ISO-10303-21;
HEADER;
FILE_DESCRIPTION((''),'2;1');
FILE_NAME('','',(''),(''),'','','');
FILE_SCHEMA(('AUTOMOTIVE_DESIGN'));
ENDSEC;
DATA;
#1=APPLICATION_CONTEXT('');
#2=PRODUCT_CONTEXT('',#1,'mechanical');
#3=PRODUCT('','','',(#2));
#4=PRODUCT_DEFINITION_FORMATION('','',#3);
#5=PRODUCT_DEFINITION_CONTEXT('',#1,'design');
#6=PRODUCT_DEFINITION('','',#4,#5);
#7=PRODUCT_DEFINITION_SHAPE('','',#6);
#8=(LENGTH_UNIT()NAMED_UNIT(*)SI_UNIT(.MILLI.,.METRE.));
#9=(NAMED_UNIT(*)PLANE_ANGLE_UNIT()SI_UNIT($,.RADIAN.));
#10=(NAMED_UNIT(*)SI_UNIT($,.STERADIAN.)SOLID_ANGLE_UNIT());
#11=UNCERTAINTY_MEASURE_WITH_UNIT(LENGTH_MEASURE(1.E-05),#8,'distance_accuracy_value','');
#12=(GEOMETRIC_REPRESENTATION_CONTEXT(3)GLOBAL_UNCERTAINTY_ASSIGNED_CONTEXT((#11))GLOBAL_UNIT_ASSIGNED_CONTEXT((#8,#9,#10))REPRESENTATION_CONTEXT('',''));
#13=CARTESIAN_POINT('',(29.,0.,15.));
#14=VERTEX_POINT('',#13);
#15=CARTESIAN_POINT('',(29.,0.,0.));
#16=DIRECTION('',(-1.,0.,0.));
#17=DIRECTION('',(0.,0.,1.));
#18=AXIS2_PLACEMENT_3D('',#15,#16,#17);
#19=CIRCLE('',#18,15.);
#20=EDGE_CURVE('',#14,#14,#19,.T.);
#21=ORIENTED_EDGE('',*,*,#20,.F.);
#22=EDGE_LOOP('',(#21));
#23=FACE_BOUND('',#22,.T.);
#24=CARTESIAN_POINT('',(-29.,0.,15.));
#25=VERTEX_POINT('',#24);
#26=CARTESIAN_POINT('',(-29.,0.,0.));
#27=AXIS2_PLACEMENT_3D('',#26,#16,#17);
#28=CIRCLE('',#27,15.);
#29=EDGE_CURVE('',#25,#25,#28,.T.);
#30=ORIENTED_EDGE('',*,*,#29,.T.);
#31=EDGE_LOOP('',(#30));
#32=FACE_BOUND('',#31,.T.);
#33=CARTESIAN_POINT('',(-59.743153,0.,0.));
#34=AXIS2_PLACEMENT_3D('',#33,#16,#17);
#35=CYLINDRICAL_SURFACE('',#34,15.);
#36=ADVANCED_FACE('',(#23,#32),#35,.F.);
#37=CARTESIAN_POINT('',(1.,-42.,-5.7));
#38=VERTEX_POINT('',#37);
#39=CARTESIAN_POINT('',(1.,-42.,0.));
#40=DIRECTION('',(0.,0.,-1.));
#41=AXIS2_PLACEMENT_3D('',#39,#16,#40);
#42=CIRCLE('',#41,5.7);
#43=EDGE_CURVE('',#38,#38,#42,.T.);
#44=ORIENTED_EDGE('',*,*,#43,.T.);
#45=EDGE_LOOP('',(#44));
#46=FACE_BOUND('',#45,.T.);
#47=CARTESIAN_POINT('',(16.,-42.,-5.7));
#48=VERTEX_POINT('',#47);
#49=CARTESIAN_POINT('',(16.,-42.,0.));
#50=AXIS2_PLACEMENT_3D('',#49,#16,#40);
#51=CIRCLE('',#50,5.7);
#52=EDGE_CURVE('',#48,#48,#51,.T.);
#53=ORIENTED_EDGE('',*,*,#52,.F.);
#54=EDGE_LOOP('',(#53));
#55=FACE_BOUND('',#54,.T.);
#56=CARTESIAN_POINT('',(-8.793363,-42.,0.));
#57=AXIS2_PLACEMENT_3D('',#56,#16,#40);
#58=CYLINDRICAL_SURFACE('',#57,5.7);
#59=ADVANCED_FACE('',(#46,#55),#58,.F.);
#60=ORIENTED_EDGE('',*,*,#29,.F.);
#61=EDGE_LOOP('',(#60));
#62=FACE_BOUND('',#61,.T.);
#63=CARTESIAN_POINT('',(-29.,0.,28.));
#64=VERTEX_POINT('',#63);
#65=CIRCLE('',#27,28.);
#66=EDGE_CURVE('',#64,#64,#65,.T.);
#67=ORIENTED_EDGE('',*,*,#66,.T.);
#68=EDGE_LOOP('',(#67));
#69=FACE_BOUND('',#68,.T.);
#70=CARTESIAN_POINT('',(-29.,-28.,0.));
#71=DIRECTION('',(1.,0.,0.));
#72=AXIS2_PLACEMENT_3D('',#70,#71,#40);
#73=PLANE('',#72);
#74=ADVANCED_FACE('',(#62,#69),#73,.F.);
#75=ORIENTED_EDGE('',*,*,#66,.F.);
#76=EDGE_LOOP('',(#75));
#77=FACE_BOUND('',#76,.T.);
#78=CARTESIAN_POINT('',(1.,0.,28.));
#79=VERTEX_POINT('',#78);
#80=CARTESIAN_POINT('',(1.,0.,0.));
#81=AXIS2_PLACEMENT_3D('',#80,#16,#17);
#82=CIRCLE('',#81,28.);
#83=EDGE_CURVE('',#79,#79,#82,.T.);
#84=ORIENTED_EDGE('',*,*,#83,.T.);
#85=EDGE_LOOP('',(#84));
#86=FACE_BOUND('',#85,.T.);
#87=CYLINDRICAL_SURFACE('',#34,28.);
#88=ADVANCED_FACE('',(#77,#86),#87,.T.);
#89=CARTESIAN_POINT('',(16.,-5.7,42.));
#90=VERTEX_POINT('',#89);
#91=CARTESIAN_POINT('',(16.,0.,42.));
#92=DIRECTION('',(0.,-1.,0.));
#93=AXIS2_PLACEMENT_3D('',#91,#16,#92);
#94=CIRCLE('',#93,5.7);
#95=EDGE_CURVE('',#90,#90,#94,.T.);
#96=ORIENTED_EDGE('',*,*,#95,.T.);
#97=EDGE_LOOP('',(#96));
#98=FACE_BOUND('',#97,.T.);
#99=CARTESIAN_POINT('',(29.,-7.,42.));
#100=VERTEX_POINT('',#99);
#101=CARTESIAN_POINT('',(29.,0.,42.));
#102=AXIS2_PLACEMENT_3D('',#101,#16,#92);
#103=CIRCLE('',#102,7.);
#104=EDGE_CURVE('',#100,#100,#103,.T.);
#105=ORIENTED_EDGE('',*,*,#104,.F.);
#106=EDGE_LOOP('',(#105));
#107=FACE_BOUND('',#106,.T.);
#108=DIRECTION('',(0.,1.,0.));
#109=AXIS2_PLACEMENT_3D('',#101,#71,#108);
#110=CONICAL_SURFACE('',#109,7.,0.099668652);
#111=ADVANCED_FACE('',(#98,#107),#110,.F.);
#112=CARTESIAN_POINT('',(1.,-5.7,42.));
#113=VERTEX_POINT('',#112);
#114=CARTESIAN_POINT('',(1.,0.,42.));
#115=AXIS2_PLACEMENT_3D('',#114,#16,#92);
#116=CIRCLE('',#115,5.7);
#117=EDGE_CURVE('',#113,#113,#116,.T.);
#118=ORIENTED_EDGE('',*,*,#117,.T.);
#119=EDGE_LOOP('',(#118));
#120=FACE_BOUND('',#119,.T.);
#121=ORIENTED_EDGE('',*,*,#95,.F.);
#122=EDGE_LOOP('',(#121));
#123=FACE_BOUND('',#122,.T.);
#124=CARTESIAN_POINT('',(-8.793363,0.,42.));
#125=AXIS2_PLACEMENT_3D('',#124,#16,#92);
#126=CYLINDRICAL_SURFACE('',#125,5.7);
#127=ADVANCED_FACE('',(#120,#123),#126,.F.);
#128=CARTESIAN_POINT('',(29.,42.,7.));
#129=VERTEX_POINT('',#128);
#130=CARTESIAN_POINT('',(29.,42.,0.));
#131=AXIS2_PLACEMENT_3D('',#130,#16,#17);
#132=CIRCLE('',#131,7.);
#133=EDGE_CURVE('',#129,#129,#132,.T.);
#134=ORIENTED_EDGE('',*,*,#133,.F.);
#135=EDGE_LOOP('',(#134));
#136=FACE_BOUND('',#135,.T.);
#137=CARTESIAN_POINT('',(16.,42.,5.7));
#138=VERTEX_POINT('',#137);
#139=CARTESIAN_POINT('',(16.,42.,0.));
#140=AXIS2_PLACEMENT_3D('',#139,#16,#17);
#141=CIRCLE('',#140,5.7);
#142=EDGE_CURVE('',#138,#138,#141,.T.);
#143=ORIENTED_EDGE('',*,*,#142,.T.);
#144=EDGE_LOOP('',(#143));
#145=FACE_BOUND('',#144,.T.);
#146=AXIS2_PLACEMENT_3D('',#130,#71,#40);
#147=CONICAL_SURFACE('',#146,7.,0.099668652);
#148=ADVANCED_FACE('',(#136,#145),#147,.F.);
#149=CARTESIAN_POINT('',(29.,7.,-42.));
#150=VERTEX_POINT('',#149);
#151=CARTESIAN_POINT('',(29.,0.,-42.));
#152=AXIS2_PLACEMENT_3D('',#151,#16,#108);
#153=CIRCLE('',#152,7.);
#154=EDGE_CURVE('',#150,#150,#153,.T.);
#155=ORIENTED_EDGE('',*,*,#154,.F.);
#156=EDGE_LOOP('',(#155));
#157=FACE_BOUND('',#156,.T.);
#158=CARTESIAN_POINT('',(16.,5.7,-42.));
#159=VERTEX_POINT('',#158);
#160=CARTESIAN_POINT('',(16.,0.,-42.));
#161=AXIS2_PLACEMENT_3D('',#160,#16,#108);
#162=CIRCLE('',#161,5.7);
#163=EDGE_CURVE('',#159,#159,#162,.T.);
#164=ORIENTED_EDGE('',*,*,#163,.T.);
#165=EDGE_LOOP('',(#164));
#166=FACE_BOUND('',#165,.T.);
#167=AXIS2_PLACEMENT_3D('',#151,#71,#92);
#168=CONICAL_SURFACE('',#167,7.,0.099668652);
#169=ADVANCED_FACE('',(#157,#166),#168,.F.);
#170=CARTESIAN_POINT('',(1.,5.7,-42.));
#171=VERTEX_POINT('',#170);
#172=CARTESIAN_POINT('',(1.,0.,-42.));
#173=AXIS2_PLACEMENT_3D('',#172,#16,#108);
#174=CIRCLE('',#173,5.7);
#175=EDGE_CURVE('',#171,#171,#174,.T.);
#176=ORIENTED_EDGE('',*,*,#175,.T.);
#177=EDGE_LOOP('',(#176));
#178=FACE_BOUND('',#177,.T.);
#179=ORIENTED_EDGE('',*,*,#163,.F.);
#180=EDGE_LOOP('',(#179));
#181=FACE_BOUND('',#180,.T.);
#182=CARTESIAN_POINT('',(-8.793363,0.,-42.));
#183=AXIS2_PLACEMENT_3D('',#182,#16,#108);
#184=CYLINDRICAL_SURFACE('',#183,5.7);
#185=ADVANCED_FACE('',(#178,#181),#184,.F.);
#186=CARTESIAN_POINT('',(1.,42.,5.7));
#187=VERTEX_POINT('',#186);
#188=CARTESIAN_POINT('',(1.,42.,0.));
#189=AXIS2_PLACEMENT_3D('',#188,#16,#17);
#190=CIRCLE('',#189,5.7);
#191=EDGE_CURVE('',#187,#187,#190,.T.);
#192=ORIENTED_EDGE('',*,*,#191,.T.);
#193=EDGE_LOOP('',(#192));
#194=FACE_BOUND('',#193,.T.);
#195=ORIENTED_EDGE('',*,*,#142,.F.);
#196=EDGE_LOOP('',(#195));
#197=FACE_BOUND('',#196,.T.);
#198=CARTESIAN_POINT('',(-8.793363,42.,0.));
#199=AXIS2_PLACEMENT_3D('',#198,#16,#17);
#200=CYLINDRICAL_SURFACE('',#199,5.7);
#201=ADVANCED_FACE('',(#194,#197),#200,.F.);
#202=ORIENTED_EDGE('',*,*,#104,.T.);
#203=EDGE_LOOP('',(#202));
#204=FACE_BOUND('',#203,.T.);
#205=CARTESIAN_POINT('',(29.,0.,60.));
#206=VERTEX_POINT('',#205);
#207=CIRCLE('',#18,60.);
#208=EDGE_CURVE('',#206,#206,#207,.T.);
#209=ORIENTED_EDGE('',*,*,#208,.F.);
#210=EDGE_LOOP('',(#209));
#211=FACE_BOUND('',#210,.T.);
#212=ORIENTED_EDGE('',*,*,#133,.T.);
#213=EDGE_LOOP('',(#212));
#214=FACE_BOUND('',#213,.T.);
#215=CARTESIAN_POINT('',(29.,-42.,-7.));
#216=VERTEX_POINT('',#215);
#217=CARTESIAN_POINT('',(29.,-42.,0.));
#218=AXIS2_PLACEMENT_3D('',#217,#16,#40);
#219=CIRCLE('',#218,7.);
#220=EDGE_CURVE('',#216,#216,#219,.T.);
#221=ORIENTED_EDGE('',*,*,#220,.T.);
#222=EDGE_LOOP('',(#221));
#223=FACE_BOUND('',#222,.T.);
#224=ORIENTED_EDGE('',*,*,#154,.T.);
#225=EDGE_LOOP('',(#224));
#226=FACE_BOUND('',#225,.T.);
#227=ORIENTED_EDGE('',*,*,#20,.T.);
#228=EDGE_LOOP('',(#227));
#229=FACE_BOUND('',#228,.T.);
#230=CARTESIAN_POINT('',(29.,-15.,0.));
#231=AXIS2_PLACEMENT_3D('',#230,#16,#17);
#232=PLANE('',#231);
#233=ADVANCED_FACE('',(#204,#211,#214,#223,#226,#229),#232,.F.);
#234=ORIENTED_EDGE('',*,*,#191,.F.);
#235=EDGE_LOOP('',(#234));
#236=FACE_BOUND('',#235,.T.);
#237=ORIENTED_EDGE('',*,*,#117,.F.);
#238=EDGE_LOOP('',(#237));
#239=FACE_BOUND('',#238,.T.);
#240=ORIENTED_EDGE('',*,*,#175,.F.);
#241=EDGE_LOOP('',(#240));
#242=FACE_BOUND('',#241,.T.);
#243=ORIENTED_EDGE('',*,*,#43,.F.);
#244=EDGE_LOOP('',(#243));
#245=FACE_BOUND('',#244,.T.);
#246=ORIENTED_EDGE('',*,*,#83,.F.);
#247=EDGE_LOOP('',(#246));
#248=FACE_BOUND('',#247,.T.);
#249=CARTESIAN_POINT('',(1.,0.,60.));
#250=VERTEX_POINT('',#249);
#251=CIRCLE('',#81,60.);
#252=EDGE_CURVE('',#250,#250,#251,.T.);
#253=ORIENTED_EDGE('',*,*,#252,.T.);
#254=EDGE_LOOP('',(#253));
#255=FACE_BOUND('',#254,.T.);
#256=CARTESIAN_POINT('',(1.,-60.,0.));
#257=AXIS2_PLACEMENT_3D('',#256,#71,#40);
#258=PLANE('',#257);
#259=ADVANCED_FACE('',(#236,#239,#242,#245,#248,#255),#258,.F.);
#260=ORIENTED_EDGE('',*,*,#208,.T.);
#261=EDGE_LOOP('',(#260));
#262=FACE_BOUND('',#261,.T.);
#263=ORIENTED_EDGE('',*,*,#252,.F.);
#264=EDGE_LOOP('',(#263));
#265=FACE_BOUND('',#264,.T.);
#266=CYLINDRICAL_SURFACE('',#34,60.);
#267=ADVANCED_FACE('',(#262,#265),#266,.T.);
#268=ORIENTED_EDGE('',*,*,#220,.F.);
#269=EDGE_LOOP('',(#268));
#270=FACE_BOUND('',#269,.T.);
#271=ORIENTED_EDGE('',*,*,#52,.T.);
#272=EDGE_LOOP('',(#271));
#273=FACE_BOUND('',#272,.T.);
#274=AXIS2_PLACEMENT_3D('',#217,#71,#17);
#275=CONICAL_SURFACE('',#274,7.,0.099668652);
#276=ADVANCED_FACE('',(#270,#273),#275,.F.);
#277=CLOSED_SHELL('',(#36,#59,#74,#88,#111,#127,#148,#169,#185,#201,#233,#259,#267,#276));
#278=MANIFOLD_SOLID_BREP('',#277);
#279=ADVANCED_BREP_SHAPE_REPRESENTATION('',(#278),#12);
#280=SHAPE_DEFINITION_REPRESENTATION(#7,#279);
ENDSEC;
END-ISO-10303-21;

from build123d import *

# Parameters (mm, degrees)
PATTERN_CIRCULAR_2_COUNT = 4


with BuildPart() as part:
    # Эскиз1 → Повернуть1 (revolve)
    with BuildSketch(Plane.XY):
        Polygon((-29, -15), (29, -15), (29, -60), (1, -60), (1, -28), (-29, -28), align=None)
    revolve(axis=Axis((-59.74315319, 0, 0), (1, 0, 0)))

    # Эскиз3 → Вырез-Повернуть1 (revolve, cut)
    with BuildSketch(Plane.XY):
        Polygon((29, 42), (1, 42), (1, 47.7), (16, 47.7), (29, 49), align=None)
    cut_revolve_1 = revolve(axis=Axis((-8.793362521, 42, 0), (1, 0, 0)), mode=Mode.SUBTRACT)

    # Круговой массив2: Вырез-Повернуть1 ×4 about axis
    pattern_circular_2_axis = Axis((0, 0, 0), (1, 0, 0))
    for i in range(1, PATTERN_CIRCULAR_2_COUNT):
        add(cut_revolve_1.rotate(pattern_circular_2_axis, i * 360 / PATTERN_CIRCULAR_2_COUNT), mode=Mode.SUBTRACT)


solid = part.part
